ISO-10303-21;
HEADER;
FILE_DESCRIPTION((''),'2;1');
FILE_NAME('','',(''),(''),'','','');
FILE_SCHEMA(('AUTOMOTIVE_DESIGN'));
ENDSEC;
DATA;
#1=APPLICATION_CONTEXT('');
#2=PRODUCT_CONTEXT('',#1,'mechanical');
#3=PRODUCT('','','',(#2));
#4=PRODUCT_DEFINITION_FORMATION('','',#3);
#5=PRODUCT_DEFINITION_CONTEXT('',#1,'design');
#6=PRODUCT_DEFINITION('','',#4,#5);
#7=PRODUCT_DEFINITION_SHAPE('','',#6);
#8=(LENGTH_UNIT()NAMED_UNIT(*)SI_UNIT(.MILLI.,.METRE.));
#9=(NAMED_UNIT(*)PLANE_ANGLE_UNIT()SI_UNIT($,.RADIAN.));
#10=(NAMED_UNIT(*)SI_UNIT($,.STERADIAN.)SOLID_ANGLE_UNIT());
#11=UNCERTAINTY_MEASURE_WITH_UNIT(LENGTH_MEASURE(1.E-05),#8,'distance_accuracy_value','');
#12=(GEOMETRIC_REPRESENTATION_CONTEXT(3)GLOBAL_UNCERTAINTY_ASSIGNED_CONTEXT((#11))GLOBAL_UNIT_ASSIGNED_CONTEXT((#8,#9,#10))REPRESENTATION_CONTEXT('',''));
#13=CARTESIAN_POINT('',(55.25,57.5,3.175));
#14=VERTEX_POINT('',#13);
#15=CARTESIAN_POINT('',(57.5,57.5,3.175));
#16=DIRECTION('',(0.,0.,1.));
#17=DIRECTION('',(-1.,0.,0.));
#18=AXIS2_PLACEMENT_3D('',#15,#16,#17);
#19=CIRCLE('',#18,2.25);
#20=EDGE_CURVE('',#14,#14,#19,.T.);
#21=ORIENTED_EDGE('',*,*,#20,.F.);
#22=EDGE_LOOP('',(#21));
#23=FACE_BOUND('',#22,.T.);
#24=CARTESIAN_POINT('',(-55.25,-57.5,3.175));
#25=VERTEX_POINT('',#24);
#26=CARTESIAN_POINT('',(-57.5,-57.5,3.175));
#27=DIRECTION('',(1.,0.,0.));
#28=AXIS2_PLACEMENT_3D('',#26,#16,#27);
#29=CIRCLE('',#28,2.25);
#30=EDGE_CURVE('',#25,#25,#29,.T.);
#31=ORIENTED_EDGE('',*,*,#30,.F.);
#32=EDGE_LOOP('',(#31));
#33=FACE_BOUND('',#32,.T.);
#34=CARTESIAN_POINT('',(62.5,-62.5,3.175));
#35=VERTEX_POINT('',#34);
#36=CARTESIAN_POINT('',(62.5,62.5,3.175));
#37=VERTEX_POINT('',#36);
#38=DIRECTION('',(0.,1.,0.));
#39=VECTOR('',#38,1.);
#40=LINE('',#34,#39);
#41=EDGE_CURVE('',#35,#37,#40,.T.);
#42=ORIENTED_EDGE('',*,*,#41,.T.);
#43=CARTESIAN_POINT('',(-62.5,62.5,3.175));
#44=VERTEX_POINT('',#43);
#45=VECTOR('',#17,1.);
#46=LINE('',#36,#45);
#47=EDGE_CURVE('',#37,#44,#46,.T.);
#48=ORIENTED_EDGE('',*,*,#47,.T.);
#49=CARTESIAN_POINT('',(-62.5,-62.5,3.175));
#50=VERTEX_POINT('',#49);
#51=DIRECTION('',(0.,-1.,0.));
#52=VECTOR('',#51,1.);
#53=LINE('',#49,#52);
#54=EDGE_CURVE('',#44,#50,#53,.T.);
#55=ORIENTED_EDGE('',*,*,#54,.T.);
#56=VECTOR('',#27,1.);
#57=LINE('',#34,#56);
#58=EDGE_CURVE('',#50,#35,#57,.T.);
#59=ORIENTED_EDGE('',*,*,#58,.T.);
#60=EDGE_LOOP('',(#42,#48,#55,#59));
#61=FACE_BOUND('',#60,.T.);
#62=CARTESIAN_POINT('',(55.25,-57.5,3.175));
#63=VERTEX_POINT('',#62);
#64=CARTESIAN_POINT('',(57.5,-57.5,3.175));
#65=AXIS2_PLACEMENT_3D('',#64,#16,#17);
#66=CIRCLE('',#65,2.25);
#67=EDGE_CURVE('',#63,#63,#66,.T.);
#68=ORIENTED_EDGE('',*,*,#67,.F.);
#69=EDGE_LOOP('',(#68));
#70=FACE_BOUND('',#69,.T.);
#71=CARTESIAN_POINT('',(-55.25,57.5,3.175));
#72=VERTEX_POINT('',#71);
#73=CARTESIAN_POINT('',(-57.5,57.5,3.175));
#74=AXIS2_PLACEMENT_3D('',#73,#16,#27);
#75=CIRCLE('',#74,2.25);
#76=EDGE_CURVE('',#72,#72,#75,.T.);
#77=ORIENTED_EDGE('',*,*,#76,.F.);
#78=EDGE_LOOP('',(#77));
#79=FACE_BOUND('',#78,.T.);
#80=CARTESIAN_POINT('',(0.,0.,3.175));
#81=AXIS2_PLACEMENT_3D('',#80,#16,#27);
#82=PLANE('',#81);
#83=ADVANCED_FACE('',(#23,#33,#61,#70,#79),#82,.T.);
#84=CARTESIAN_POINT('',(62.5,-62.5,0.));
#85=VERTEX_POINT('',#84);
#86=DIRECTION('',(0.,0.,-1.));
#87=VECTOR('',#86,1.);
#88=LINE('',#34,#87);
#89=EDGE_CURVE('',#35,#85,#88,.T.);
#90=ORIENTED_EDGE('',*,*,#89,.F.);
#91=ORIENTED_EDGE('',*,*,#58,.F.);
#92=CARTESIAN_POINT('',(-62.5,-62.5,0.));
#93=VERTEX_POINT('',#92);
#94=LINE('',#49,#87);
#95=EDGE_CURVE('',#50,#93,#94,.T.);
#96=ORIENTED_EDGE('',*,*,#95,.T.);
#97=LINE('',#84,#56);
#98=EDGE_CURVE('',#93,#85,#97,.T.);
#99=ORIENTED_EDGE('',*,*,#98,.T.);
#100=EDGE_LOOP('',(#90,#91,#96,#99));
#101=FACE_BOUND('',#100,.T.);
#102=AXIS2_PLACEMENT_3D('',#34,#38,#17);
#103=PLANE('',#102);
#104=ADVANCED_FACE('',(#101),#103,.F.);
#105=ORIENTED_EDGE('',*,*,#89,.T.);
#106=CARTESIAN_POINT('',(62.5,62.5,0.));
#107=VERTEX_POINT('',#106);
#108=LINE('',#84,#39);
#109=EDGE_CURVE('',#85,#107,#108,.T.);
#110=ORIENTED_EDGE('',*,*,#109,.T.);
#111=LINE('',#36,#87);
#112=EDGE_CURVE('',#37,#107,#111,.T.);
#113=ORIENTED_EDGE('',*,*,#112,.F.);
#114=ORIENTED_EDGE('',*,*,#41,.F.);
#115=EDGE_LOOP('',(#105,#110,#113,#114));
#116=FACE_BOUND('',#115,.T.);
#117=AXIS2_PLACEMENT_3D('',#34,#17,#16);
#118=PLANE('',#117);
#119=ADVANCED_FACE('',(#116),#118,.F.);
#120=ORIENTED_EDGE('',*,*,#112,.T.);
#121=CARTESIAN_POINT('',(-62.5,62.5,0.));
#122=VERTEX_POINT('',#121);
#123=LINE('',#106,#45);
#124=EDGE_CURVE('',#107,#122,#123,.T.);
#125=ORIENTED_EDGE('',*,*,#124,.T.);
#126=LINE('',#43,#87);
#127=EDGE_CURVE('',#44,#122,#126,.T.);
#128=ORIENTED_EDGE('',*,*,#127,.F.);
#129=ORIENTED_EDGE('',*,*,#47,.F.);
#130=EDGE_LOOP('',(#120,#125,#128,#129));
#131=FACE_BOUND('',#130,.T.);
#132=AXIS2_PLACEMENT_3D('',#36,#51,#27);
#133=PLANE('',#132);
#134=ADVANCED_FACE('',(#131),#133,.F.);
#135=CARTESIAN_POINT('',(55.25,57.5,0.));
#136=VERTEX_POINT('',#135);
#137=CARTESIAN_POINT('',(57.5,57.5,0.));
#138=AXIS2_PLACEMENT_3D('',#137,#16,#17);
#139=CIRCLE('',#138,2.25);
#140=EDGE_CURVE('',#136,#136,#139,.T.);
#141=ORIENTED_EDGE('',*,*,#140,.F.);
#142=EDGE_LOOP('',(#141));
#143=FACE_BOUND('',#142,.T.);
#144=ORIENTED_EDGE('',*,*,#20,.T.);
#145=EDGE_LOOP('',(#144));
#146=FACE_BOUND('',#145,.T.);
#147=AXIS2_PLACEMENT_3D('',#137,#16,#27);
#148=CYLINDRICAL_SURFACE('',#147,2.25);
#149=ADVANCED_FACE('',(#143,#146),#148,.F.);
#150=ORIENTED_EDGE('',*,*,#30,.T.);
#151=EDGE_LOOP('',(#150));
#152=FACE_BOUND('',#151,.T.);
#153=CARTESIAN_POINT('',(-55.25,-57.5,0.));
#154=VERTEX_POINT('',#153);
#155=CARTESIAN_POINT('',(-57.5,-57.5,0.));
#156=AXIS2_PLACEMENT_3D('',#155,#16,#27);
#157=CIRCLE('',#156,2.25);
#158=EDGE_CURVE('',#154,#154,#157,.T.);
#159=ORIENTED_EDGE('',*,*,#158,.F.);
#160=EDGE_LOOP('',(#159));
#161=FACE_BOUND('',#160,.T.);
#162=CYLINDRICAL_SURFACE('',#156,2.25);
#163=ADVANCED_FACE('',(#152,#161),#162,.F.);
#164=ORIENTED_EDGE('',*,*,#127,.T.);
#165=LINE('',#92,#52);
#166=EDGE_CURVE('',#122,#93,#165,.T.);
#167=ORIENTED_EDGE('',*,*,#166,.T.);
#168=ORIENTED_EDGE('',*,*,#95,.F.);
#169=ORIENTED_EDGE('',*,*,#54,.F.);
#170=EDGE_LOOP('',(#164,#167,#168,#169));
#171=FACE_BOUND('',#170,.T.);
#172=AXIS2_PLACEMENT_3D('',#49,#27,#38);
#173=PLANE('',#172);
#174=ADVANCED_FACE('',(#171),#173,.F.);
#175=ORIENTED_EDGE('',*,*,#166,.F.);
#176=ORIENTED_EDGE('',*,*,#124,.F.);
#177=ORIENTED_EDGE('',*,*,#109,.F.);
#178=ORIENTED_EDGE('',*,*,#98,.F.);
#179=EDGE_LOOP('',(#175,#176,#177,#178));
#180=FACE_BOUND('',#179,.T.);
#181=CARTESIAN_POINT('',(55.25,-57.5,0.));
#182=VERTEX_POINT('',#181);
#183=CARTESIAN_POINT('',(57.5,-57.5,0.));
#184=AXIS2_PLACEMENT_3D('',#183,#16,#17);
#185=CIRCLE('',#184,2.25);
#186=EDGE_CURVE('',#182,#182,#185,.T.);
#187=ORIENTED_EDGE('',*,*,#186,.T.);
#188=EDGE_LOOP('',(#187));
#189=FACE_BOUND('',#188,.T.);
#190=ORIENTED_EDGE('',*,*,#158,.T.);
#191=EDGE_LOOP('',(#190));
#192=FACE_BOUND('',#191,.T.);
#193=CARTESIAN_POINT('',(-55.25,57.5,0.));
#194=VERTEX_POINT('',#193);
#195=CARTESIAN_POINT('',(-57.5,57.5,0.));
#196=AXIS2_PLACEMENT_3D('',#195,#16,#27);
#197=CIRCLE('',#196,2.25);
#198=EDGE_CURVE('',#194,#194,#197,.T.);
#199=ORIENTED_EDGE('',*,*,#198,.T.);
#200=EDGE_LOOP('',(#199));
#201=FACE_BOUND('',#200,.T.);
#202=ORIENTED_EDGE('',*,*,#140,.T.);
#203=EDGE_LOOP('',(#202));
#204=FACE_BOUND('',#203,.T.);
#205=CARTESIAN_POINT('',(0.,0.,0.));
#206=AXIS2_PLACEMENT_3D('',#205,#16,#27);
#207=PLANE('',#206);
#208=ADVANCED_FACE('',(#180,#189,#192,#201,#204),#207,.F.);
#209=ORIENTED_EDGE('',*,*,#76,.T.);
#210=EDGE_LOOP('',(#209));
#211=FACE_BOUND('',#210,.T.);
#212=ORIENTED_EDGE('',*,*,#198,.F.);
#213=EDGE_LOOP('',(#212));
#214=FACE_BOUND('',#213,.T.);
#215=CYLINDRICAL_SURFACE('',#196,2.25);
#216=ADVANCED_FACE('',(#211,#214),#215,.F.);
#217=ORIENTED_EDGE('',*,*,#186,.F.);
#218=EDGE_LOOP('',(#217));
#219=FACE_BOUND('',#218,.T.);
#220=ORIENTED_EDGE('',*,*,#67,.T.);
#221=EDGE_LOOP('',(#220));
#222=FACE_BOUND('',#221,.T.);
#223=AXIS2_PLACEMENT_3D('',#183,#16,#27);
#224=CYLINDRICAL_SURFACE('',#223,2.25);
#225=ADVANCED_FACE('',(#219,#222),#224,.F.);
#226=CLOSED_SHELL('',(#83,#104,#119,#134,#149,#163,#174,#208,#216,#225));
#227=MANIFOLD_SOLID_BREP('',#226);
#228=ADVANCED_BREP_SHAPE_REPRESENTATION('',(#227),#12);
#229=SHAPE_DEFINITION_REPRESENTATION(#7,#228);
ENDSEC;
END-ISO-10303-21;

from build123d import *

# Parameters (mm, degrees)
SKETCH1_W           = 125
SKETCH1_H           = 125
BOSS_EXTRUDE1_DEPTH = 3.175
SKETCH2_R           = 2.25
CUT_EXTRUDE2_DEPTH  = 3.175


with BuildPart() as part:
    # Sketch1 → Boss-Extrude1 (new body)
    with BuildSketch(Plane.XY):
        Rectangle(SKETCH1_W, SKETCH1_H)
    extrude(amount=BOSS_EXTRUDE1_DEPTH)

    # Sketch2 → Cut-Extrude2 (cut)
    with BuildSketch(Plane.XY.offset(3.175)):
        with Locations((-57.5, 57.5)):
            Circle(SKETCH2_R)
        with Locations((-57.5, -57.5)):
            Circle(SKETCH2_R)
        with Locations((57.5, -57.5)):
            Circle(SKETCH2_R)
        with Locations((57.5, 57.5)):
            Circle(SKETCH2_R)
    extrude(amount=-CUT_EXTRUDE2_DEPTH, mode=Mode.SUBTRACT)


solid = part.part
